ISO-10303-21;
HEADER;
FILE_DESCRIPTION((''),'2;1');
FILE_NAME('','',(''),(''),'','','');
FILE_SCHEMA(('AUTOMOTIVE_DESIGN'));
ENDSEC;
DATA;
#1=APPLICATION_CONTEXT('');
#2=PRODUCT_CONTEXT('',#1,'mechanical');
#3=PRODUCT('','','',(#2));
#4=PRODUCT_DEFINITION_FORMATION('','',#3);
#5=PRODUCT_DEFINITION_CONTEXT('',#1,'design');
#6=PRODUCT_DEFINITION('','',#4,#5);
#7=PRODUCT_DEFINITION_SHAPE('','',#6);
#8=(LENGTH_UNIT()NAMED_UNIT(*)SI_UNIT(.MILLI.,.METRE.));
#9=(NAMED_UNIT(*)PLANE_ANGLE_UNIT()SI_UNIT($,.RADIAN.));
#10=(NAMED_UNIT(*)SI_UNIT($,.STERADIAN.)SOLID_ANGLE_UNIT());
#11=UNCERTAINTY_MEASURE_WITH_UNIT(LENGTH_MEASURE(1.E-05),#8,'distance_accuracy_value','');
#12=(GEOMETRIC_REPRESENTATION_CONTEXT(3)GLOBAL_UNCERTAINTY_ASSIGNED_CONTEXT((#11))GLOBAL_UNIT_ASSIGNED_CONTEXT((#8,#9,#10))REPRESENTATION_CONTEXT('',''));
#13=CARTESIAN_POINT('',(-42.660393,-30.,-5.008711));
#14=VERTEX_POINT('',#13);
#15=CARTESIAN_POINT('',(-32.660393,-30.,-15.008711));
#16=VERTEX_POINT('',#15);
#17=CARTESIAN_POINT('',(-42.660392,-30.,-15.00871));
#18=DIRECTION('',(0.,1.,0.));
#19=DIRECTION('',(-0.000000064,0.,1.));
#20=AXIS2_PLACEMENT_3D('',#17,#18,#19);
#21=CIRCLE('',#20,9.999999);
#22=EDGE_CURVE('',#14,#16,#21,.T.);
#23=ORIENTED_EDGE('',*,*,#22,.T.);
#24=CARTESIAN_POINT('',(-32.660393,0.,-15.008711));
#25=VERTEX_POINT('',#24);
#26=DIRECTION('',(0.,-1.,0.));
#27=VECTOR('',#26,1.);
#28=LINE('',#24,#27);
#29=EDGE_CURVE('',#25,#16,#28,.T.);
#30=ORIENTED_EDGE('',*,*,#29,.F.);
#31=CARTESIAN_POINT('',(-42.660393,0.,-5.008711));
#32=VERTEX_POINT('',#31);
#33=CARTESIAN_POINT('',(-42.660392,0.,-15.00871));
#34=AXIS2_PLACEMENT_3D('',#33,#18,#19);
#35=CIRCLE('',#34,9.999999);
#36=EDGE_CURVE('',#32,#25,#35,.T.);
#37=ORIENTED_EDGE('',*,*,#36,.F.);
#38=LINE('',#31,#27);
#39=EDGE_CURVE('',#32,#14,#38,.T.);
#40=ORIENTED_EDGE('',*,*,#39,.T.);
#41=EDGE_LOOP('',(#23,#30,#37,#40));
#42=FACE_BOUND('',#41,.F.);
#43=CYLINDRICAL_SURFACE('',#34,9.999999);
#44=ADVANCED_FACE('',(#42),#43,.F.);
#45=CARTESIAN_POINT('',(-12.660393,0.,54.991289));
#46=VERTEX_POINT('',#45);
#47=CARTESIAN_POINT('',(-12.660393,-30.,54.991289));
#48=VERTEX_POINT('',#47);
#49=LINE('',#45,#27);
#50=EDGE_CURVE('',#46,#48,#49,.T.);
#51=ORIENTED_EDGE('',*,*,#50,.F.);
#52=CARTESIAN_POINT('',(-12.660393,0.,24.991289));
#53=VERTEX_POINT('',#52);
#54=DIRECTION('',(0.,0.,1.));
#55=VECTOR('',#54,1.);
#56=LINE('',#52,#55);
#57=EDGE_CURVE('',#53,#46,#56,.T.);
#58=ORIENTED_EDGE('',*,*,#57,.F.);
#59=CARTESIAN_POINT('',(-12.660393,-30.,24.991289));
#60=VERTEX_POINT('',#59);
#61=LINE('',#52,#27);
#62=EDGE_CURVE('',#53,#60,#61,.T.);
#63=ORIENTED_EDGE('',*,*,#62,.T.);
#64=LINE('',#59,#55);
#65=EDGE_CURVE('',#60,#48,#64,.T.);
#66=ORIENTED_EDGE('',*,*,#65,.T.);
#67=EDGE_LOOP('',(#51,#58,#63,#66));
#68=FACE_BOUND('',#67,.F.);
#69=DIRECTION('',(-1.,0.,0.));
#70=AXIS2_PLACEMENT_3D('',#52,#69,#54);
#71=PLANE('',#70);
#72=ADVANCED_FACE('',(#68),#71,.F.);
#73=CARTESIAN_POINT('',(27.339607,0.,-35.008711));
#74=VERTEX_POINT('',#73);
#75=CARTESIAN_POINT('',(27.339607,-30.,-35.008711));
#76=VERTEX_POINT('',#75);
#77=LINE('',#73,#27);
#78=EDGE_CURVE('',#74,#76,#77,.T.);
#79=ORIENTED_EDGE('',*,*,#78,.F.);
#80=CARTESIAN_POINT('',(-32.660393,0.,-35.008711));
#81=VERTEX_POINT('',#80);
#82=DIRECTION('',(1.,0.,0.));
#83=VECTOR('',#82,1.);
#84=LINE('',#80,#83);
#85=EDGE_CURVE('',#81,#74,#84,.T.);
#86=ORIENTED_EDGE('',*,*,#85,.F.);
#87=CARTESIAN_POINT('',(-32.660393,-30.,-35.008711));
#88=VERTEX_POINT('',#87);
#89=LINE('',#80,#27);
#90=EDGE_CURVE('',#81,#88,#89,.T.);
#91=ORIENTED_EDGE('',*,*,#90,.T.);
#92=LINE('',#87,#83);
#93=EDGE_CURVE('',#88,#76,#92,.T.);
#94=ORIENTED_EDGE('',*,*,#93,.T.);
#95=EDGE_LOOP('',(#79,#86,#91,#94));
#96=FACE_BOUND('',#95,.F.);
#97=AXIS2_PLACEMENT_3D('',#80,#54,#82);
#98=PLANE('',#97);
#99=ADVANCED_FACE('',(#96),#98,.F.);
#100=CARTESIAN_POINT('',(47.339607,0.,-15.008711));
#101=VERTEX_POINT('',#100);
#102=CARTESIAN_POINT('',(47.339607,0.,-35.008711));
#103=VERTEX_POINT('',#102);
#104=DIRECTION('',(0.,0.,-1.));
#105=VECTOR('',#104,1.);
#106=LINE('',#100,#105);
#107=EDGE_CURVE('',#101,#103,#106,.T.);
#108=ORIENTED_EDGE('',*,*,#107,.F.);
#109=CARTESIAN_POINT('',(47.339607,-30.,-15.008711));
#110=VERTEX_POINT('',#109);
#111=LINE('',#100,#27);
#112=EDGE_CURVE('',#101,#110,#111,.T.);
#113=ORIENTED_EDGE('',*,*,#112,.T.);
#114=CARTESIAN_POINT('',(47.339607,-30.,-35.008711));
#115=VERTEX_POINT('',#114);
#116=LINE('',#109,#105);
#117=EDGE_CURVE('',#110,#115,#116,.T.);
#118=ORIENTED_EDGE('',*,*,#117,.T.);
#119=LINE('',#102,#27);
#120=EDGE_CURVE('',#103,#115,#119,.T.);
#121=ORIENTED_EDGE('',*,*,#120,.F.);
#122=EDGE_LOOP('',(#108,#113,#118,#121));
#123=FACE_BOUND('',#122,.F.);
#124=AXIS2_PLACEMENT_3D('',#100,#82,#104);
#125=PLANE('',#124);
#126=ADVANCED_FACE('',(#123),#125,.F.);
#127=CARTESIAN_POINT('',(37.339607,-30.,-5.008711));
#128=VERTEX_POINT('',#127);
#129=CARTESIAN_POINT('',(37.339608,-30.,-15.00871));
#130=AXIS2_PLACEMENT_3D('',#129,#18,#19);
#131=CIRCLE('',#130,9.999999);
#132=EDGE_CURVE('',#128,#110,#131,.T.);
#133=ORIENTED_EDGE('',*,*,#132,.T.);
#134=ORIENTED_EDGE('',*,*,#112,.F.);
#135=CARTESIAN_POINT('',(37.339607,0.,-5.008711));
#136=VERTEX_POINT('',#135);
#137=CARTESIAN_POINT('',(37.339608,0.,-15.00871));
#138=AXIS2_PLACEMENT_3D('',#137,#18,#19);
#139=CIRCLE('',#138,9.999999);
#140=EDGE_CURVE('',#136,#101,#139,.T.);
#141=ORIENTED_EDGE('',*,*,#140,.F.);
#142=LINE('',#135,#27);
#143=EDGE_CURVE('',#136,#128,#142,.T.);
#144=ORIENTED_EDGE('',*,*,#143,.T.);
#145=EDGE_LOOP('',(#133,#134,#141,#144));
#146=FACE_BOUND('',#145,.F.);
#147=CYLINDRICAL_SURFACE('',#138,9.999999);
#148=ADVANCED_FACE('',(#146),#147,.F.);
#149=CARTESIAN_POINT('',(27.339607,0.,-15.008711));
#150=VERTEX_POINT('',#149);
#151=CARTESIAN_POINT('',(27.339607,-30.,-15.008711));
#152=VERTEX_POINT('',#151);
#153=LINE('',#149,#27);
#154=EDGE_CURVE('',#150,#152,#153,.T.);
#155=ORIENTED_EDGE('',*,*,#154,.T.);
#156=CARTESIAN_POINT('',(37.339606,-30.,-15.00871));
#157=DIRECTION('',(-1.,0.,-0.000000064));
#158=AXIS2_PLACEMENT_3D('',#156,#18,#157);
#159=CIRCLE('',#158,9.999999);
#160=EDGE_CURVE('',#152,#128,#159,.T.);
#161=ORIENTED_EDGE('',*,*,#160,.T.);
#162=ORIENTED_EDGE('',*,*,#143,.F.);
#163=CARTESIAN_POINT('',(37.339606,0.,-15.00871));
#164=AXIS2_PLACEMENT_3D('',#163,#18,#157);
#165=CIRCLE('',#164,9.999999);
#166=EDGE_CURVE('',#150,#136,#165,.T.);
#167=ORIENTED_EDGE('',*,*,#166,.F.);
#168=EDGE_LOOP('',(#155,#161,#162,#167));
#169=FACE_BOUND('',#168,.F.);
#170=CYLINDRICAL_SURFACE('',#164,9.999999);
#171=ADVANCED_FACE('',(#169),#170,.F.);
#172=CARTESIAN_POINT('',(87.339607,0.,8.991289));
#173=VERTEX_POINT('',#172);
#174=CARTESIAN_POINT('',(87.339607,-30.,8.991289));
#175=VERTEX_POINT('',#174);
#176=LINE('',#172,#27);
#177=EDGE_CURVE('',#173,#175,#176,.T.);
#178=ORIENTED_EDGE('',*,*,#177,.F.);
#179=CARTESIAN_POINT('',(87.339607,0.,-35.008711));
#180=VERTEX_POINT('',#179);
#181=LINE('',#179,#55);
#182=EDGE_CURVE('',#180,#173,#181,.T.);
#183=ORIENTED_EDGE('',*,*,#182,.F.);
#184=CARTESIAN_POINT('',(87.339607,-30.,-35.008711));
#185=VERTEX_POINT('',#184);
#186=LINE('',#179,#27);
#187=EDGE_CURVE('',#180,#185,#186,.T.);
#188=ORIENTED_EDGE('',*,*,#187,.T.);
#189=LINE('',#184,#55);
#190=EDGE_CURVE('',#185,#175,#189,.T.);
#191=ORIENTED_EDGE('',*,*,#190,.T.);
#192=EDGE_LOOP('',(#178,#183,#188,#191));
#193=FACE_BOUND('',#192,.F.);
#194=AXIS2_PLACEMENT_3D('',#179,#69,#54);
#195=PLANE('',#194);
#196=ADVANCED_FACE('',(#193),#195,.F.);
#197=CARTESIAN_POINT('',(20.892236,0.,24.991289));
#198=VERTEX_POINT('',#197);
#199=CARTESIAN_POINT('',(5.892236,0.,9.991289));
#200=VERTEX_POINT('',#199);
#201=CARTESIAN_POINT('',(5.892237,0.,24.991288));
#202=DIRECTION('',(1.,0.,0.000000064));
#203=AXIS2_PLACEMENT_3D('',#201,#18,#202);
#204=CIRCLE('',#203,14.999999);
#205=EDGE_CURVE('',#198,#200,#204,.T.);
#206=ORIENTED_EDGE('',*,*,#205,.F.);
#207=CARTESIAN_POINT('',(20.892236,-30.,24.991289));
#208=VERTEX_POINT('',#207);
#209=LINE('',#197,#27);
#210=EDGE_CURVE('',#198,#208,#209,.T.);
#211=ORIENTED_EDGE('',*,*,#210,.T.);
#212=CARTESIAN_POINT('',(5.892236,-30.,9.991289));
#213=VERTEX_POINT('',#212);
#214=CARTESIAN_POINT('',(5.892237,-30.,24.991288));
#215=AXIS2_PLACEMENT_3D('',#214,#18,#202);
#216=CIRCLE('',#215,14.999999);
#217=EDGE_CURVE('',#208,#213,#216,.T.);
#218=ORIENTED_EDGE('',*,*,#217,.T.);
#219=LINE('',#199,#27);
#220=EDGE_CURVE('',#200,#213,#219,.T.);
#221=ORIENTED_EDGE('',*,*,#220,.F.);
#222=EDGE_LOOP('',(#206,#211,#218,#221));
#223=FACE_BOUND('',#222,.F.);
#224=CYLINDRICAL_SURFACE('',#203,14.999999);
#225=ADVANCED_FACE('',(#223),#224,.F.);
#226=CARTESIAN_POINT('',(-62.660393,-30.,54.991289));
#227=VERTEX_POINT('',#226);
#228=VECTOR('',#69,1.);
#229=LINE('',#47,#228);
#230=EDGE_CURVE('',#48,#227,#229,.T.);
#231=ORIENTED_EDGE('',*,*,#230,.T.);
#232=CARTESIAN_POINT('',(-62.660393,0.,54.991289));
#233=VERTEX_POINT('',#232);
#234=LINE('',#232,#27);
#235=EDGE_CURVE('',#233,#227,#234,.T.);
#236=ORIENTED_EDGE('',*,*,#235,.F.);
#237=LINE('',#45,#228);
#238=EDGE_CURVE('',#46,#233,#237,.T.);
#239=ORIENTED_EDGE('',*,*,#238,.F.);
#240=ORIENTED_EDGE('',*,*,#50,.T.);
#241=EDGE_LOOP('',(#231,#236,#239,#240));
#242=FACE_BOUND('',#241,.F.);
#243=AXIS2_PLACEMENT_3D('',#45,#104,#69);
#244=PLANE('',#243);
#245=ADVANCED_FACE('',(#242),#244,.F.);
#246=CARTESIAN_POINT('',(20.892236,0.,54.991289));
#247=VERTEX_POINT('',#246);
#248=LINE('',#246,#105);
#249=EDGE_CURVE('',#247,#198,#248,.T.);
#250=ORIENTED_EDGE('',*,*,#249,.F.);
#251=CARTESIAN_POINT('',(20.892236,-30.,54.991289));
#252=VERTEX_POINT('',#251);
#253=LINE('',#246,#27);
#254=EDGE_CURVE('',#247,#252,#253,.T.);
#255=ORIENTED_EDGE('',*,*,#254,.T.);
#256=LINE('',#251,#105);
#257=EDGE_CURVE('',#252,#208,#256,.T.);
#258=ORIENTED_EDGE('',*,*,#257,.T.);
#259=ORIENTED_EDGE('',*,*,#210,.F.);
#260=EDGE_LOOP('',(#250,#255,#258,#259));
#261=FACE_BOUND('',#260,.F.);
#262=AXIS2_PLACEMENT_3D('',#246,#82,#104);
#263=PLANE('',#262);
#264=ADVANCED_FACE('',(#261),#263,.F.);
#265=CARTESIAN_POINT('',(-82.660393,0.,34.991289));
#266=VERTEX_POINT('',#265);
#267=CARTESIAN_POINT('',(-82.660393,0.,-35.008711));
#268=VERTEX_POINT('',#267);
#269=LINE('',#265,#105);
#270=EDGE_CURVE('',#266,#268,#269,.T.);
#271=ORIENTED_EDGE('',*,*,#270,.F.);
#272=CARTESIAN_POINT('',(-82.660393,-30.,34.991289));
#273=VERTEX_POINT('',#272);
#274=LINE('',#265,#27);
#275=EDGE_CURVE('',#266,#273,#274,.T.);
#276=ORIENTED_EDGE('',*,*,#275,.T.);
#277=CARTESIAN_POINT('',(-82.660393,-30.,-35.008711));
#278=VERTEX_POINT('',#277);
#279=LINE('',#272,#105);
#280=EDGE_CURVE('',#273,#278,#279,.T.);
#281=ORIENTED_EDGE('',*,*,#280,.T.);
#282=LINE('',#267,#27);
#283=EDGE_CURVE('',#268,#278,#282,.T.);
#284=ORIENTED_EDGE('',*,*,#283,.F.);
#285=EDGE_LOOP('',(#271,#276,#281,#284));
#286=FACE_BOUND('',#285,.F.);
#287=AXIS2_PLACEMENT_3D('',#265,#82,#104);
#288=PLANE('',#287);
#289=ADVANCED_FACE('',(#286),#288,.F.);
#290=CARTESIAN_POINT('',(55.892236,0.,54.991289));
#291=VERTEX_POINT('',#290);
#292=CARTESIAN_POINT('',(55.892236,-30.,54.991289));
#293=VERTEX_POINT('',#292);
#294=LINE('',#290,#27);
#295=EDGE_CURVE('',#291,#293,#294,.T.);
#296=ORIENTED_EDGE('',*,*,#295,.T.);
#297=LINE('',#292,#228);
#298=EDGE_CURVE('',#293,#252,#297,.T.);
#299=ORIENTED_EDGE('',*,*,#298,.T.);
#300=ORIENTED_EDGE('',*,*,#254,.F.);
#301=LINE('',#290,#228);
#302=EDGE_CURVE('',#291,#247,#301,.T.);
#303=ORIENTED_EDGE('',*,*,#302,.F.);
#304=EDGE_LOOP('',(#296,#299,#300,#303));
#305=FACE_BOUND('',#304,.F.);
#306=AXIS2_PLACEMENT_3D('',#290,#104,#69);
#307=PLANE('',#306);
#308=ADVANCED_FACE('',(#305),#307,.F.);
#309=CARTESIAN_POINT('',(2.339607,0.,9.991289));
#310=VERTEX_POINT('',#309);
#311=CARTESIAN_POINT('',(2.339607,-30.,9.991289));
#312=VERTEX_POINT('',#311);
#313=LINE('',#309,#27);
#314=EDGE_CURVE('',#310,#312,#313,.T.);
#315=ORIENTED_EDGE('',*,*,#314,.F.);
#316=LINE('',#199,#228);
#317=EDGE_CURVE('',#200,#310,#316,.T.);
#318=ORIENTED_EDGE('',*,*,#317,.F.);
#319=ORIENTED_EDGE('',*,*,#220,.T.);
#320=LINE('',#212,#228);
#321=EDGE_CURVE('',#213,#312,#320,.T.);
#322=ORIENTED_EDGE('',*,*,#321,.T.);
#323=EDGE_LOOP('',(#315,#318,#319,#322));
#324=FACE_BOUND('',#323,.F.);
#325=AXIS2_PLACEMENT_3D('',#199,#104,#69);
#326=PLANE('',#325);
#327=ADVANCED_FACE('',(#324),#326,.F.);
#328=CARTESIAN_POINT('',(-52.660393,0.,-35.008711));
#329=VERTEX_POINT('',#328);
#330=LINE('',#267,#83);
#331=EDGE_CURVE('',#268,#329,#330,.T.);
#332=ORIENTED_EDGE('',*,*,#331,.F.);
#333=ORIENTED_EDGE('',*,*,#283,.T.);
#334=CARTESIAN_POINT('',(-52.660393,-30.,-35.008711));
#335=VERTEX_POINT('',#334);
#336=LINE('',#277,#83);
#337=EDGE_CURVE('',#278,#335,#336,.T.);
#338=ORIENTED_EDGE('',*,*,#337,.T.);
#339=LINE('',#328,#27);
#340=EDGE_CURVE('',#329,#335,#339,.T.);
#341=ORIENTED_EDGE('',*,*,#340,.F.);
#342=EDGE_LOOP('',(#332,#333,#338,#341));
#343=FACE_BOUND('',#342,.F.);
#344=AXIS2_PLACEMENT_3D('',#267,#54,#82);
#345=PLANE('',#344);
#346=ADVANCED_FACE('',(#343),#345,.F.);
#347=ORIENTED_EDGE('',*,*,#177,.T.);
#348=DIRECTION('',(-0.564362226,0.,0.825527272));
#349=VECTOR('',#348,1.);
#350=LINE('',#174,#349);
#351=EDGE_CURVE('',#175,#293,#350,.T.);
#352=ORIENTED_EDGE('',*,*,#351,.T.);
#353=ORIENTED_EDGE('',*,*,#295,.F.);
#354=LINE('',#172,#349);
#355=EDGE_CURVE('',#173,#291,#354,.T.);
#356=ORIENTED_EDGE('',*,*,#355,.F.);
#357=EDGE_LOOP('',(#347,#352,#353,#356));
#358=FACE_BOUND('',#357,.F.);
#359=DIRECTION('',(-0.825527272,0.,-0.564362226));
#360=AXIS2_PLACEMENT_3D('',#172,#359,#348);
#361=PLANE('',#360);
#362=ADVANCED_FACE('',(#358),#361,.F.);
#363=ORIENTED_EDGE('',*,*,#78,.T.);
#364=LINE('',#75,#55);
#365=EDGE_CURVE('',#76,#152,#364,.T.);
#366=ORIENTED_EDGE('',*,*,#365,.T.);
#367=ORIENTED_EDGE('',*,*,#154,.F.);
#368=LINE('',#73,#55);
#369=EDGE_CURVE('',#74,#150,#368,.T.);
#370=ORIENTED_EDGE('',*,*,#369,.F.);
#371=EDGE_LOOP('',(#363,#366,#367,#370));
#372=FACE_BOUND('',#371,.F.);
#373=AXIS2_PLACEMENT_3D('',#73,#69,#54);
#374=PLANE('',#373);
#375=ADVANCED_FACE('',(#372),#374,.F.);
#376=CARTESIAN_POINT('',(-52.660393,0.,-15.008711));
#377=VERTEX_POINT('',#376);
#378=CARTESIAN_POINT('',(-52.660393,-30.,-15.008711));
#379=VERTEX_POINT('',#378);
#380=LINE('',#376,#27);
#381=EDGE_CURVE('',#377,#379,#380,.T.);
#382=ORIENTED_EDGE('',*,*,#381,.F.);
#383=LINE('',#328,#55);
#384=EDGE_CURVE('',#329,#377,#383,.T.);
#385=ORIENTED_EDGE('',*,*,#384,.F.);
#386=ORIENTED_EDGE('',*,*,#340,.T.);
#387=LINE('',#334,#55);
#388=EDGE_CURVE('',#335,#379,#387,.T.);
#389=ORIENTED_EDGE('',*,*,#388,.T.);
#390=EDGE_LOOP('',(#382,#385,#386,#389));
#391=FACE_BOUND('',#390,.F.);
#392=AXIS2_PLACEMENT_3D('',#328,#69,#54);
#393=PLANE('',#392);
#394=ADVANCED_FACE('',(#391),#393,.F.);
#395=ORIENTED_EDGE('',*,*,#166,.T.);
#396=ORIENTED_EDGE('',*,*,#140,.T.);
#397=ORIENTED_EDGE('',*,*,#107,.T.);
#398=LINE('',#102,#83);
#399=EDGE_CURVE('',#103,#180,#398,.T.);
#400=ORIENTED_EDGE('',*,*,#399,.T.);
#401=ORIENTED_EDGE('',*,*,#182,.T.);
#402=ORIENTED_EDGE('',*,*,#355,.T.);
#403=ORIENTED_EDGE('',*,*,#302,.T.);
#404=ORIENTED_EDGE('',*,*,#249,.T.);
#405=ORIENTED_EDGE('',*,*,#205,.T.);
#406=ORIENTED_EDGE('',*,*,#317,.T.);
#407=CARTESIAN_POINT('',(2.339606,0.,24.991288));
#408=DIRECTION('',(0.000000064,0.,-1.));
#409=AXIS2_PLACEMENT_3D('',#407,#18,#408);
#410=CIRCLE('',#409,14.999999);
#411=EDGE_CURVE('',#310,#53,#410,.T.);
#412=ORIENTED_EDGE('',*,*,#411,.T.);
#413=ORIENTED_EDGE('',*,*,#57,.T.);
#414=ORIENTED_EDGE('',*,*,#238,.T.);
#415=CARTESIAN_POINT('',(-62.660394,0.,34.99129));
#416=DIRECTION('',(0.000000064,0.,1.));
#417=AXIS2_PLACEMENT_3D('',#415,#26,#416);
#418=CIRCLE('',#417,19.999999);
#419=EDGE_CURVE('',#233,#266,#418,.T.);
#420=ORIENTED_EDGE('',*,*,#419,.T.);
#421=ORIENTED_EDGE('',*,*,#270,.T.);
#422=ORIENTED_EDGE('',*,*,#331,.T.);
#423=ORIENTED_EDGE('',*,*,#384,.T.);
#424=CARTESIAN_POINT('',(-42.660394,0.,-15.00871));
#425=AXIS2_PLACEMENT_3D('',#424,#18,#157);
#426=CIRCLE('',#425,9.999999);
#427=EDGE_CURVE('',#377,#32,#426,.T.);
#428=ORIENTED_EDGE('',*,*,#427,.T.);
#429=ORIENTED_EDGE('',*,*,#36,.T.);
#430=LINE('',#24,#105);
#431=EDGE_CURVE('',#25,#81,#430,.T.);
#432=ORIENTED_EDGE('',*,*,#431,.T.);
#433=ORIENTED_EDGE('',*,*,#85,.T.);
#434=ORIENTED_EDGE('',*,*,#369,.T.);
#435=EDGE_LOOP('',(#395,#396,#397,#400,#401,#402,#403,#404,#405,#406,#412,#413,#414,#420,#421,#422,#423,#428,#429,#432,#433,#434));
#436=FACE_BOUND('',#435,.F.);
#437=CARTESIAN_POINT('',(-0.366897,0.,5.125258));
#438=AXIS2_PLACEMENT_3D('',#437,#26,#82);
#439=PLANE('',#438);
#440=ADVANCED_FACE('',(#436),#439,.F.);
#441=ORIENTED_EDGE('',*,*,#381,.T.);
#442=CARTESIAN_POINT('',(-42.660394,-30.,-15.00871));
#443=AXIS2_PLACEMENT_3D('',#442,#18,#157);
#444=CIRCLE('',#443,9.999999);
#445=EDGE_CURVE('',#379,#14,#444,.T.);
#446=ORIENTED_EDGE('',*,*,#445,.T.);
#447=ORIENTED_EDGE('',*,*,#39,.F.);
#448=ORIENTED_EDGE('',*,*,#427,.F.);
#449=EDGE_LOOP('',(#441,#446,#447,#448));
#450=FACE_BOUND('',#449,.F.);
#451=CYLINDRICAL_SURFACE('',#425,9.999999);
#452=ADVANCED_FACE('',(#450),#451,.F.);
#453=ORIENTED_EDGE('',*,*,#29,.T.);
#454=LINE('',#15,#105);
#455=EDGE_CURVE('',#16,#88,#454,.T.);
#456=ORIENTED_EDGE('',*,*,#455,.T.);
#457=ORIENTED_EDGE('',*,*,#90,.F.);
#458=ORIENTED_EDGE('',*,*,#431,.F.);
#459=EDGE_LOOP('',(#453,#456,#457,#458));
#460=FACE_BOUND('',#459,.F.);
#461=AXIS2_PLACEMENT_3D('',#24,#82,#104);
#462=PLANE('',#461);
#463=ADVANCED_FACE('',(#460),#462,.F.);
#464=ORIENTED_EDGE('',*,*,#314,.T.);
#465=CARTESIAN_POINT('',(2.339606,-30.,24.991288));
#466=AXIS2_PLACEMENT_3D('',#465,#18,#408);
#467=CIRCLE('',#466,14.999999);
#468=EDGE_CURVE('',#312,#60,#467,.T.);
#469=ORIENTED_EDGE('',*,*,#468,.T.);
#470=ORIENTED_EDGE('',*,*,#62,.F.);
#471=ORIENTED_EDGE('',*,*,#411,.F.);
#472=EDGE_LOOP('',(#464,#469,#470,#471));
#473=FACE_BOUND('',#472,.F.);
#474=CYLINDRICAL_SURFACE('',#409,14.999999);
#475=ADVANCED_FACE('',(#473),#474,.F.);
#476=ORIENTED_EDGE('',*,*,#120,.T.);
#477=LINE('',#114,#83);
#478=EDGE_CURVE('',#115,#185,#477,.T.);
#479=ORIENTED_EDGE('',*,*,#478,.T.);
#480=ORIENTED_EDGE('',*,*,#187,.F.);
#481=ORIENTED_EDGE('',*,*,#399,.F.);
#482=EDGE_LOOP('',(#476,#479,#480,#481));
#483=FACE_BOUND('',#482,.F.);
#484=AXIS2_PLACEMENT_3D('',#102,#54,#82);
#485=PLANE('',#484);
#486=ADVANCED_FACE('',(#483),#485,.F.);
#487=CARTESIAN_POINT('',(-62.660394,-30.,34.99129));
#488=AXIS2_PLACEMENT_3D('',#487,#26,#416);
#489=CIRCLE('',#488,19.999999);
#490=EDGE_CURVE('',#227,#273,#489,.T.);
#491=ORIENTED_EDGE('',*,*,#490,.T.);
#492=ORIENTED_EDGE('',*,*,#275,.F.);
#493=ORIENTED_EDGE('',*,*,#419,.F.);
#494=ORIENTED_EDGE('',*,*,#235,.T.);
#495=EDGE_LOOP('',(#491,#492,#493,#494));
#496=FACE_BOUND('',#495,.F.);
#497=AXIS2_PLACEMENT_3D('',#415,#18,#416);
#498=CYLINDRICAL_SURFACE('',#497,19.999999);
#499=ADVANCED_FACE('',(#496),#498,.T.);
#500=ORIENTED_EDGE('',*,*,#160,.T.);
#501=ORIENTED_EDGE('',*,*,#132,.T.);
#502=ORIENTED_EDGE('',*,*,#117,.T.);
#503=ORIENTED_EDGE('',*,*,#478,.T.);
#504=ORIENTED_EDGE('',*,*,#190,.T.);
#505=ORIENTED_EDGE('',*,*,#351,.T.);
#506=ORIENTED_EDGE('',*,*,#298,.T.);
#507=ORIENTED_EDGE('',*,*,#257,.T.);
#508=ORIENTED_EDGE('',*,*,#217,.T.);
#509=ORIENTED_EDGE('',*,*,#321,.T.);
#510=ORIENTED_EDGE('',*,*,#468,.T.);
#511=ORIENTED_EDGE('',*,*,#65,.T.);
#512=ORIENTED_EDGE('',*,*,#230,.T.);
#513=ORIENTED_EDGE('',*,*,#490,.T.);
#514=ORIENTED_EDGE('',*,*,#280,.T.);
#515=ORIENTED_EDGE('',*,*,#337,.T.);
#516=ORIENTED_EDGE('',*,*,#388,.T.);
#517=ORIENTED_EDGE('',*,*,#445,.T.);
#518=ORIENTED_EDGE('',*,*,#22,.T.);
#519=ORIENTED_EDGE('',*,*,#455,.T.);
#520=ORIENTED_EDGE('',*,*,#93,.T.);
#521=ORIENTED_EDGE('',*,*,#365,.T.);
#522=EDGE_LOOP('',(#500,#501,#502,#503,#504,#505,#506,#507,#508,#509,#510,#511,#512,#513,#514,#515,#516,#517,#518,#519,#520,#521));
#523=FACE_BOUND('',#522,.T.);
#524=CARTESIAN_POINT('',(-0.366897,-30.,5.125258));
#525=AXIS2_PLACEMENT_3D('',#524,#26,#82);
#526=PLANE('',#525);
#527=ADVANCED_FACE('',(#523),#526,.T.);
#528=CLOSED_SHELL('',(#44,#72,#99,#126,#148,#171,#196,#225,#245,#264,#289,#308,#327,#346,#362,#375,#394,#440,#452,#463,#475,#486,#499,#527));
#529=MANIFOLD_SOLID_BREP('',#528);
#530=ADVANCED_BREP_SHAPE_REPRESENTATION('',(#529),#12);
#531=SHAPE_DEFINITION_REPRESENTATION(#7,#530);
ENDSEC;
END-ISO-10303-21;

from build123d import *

# Parameters (mm, degrees)
F1_DEPTH = 30


with BuildPart() as f1:
    # F0 (on Front) → F1 (new body)
    with BuildSketch(Plane.XZ):
        with BuildLine():
            Line((-82.660393, 34.991289), (-82.660393, -35.008711))
            Line((-82.660393, -35.008711), (-52.660393, -35.008711))
            Line((-52.660393, -35.008711), (-52.660393, -15.008711))
            ThreePointArc((-52.660393, -15.008711), (-49.731461, -7.937643), (-42.660393, -5.008711))
            ThreePointArc((-42.660393, -5.008711), (-35.589325, -7.937643), (-32.660393, -15.008711))
            Line((-32.660393, -15.008711), (-32.660393, -35.008711))
            Line((-32.660393, -35.008711), (27.339607, -35.008711))
            Line((27.339607, -35.008711), (27.339607, -15.008711))
            ThreePointArc((27.339607, -15.008711), (30.268539, -7.937643), (37.339607, -5.008711))
            ThreePointArc((37.339607, -5.008711), (44.410675, -7.937643), (47.339607, -15.008711))
            Line((47.339607, -15.008711), (47.339607, -35.008711))
            Line((47.339607, -35.008711), (87.339607, -35.008711))
            Line((87.339607, -35.008711), (87.339607, 8.991289))
            Line((87.339607, 8.991289), (55.892236, 54.991289))
            Line((55.892236, 54.991289), (20.892236, 54.991289))
            Line((20.892236, 54.991289), (20.892236, 24.991289))
            ThreePointArc((20.892236, 24.991289), (16.498838, 14.384687), (5.892236, 9.991289))
            Line((5.892236, 9.991289), (2.339607, 9.991289))
            ThreePointArc((2.339607, 9.991289), (-8.266995, 14.384687), (-12.660393, 24.991289))
            Line((-12.660393, 24.991289), (-12.660393, 54.991289))
            Line((-12.660393, 54.991289), (-62.660393, 54.991289))
            ThreePointArc((-62.660393, 54.991289), (-76.802529, 49.133425), (-82.660393, 34.991289))
        make_face()
    extrude(amount=F1_DEPTH)


solid = f1.part
